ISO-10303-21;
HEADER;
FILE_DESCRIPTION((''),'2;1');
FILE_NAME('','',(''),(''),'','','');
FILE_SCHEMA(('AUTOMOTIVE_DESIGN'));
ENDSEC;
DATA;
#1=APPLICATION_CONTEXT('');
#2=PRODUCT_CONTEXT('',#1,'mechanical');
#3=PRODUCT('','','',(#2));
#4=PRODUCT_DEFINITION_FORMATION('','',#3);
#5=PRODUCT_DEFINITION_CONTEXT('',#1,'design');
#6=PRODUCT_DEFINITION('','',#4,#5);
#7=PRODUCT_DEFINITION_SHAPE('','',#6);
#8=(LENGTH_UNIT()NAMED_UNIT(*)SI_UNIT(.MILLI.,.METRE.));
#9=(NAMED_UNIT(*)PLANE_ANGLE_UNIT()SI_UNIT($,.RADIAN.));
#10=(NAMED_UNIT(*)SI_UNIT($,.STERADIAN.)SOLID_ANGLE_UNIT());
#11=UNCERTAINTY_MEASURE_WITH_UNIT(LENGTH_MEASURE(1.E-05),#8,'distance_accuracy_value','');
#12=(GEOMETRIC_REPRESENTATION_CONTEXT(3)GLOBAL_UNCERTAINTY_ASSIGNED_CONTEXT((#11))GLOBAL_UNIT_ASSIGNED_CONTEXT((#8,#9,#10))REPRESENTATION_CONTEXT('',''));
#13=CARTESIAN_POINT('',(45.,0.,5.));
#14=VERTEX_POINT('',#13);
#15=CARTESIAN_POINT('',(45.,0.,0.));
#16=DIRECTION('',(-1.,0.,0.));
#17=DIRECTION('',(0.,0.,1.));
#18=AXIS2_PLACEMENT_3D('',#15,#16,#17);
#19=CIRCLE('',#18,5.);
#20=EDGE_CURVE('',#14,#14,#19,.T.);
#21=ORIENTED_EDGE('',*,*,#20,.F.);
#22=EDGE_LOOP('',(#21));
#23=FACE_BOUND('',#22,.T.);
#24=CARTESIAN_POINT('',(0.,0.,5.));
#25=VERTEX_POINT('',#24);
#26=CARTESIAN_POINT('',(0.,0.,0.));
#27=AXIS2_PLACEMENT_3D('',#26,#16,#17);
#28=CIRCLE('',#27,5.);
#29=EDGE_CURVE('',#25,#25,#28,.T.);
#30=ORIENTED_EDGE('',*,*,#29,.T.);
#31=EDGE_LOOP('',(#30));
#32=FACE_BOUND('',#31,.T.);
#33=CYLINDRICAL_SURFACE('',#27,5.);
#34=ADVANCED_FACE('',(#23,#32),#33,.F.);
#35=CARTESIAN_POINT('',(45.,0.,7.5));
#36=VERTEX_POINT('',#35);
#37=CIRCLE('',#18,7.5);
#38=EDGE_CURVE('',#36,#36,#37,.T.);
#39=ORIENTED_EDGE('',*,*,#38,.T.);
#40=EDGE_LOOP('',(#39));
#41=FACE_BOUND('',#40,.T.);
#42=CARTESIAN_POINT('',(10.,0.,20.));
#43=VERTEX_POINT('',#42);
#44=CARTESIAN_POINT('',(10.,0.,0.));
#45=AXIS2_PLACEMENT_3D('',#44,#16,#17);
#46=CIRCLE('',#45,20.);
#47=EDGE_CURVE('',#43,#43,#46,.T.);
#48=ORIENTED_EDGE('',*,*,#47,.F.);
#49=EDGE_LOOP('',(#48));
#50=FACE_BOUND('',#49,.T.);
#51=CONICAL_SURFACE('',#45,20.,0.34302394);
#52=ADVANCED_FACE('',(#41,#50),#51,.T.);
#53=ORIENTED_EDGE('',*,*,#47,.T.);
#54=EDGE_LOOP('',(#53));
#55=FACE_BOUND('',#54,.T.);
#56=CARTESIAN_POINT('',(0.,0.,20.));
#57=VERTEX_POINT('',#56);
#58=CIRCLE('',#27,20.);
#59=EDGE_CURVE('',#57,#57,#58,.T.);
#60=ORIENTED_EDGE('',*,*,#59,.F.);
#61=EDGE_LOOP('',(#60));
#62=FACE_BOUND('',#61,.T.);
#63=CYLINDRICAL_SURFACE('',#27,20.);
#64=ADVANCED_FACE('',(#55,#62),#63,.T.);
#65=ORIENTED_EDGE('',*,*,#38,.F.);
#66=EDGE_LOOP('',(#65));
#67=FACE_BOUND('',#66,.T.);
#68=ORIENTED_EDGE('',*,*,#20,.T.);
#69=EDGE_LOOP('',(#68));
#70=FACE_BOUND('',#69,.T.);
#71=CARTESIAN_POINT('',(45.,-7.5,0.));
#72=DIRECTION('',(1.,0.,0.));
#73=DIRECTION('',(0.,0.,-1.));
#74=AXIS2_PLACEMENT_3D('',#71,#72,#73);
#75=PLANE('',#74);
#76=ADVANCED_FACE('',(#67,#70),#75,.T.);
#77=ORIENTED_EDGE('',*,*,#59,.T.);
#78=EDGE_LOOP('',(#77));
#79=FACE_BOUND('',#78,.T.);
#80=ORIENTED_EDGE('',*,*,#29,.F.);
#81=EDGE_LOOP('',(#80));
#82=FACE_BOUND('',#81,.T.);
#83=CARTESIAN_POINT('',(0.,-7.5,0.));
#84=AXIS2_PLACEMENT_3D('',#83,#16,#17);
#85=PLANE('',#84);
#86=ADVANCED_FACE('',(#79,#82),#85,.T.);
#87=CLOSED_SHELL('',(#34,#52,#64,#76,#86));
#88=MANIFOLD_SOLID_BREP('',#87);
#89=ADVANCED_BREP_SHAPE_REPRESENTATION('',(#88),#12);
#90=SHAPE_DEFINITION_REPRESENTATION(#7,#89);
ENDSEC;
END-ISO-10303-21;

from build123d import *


with BuildPart() as part:
    # Sketch1 → Revolve1 (revolve)
    with BuildSketch(Plane.XY, mode=Mode.PRIVATE) as revolve1_sk:
        Polygon((0, -7.5), (0, -20), (10, -20), (45, -7.5), (45, -5), (0, -5), align=None)
    revolve(revolve1_sk.sketch.rotate(Axis((0, 0, 0), (1, 0, 0)), 270), axis=Axis((0, 0, 0), (1, 0, 0)))  # turned: the seam where the file's is


solid = part.part
